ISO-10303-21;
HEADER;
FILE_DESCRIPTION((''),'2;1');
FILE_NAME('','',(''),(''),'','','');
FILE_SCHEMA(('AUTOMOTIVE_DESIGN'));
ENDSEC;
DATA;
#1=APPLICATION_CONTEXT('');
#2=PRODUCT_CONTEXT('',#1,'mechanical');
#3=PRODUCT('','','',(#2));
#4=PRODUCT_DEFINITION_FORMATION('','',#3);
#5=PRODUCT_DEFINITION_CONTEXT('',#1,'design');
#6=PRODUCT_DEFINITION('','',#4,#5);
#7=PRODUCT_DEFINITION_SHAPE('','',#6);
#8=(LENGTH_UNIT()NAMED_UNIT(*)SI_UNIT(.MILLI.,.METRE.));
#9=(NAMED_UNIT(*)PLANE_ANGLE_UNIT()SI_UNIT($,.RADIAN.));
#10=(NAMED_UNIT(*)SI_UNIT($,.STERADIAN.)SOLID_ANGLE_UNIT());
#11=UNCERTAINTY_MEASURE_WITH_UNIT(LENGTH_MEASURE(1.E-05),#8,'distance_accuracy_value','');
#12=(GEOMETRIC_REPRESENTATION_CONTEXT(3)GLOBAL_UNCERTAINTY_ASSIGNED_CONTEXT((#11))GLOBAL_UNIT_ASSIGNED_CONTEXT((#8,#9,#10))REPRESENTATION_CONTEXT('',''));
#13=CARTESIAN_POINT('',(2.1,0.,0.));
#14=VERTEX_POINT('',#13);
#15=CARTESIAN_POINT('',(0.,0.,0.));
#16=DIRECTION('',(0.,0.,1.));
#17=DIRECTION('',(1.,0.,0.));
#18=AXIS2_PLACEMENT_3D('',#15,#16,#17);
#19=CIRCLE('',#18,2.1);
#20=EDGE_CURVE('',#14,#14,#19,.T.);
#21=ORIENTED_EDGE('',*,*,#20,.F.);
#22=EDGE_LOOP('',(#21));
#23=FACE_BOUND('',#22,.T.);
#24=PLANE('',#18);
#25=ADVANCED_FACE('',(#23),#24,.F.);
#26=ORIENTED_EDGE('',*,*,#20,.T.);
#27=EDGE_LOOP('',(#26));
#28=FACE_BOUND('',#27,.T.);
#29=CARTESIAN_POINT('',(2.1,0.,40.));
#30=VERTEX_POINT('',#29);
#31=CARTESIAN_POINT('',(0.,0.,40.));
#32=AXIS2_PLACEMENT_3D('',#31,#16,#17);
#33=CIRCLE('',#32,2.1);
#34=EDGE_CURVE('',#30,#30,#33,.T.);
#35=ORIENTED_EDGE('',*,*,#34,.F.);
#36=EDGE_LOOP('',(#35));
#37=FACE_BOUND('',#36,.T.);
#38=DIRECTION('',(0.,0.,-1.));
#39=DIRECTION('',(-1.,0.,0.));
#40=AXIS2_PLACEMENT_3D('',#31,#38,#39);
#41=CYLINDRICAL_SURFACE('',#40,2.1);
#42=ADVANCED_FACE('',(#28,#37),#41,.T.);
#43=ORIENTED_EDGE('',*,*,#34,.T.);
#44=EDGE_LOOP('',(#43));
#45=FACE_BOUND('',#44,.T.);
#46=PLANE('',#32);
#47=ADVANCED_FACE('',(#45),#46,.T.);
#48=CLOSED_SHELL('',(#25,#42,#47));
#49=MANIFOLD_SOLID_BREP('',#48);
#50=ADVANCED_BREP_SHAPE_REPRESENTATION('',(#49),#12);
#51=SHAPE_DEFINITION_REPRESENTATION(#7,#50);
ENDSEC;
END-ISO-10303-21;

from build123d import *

# Parameters (mm, degrees)
SCHIZZO1_R                   = 2.1
ESTRUSIONE_ESTRUSIONE1_DEPTH = 40


with BuildPart() as part:
    # Schizzo1 → Estrusione-Estrusione1 (new body)
    with BuildSketch(Plane(origin=(0, 0, 0), x_dir=(0, 1, 0), z_dir=(0, 0, 1))):
        with Locations(Location((0, 0, 0), (0, 0, 270))):
            Circle(SCHIZZO1_R)
    extrude(amount=ESTRUSIONE_ESTRUSIONE1_DEPTH)


solid = part.part
